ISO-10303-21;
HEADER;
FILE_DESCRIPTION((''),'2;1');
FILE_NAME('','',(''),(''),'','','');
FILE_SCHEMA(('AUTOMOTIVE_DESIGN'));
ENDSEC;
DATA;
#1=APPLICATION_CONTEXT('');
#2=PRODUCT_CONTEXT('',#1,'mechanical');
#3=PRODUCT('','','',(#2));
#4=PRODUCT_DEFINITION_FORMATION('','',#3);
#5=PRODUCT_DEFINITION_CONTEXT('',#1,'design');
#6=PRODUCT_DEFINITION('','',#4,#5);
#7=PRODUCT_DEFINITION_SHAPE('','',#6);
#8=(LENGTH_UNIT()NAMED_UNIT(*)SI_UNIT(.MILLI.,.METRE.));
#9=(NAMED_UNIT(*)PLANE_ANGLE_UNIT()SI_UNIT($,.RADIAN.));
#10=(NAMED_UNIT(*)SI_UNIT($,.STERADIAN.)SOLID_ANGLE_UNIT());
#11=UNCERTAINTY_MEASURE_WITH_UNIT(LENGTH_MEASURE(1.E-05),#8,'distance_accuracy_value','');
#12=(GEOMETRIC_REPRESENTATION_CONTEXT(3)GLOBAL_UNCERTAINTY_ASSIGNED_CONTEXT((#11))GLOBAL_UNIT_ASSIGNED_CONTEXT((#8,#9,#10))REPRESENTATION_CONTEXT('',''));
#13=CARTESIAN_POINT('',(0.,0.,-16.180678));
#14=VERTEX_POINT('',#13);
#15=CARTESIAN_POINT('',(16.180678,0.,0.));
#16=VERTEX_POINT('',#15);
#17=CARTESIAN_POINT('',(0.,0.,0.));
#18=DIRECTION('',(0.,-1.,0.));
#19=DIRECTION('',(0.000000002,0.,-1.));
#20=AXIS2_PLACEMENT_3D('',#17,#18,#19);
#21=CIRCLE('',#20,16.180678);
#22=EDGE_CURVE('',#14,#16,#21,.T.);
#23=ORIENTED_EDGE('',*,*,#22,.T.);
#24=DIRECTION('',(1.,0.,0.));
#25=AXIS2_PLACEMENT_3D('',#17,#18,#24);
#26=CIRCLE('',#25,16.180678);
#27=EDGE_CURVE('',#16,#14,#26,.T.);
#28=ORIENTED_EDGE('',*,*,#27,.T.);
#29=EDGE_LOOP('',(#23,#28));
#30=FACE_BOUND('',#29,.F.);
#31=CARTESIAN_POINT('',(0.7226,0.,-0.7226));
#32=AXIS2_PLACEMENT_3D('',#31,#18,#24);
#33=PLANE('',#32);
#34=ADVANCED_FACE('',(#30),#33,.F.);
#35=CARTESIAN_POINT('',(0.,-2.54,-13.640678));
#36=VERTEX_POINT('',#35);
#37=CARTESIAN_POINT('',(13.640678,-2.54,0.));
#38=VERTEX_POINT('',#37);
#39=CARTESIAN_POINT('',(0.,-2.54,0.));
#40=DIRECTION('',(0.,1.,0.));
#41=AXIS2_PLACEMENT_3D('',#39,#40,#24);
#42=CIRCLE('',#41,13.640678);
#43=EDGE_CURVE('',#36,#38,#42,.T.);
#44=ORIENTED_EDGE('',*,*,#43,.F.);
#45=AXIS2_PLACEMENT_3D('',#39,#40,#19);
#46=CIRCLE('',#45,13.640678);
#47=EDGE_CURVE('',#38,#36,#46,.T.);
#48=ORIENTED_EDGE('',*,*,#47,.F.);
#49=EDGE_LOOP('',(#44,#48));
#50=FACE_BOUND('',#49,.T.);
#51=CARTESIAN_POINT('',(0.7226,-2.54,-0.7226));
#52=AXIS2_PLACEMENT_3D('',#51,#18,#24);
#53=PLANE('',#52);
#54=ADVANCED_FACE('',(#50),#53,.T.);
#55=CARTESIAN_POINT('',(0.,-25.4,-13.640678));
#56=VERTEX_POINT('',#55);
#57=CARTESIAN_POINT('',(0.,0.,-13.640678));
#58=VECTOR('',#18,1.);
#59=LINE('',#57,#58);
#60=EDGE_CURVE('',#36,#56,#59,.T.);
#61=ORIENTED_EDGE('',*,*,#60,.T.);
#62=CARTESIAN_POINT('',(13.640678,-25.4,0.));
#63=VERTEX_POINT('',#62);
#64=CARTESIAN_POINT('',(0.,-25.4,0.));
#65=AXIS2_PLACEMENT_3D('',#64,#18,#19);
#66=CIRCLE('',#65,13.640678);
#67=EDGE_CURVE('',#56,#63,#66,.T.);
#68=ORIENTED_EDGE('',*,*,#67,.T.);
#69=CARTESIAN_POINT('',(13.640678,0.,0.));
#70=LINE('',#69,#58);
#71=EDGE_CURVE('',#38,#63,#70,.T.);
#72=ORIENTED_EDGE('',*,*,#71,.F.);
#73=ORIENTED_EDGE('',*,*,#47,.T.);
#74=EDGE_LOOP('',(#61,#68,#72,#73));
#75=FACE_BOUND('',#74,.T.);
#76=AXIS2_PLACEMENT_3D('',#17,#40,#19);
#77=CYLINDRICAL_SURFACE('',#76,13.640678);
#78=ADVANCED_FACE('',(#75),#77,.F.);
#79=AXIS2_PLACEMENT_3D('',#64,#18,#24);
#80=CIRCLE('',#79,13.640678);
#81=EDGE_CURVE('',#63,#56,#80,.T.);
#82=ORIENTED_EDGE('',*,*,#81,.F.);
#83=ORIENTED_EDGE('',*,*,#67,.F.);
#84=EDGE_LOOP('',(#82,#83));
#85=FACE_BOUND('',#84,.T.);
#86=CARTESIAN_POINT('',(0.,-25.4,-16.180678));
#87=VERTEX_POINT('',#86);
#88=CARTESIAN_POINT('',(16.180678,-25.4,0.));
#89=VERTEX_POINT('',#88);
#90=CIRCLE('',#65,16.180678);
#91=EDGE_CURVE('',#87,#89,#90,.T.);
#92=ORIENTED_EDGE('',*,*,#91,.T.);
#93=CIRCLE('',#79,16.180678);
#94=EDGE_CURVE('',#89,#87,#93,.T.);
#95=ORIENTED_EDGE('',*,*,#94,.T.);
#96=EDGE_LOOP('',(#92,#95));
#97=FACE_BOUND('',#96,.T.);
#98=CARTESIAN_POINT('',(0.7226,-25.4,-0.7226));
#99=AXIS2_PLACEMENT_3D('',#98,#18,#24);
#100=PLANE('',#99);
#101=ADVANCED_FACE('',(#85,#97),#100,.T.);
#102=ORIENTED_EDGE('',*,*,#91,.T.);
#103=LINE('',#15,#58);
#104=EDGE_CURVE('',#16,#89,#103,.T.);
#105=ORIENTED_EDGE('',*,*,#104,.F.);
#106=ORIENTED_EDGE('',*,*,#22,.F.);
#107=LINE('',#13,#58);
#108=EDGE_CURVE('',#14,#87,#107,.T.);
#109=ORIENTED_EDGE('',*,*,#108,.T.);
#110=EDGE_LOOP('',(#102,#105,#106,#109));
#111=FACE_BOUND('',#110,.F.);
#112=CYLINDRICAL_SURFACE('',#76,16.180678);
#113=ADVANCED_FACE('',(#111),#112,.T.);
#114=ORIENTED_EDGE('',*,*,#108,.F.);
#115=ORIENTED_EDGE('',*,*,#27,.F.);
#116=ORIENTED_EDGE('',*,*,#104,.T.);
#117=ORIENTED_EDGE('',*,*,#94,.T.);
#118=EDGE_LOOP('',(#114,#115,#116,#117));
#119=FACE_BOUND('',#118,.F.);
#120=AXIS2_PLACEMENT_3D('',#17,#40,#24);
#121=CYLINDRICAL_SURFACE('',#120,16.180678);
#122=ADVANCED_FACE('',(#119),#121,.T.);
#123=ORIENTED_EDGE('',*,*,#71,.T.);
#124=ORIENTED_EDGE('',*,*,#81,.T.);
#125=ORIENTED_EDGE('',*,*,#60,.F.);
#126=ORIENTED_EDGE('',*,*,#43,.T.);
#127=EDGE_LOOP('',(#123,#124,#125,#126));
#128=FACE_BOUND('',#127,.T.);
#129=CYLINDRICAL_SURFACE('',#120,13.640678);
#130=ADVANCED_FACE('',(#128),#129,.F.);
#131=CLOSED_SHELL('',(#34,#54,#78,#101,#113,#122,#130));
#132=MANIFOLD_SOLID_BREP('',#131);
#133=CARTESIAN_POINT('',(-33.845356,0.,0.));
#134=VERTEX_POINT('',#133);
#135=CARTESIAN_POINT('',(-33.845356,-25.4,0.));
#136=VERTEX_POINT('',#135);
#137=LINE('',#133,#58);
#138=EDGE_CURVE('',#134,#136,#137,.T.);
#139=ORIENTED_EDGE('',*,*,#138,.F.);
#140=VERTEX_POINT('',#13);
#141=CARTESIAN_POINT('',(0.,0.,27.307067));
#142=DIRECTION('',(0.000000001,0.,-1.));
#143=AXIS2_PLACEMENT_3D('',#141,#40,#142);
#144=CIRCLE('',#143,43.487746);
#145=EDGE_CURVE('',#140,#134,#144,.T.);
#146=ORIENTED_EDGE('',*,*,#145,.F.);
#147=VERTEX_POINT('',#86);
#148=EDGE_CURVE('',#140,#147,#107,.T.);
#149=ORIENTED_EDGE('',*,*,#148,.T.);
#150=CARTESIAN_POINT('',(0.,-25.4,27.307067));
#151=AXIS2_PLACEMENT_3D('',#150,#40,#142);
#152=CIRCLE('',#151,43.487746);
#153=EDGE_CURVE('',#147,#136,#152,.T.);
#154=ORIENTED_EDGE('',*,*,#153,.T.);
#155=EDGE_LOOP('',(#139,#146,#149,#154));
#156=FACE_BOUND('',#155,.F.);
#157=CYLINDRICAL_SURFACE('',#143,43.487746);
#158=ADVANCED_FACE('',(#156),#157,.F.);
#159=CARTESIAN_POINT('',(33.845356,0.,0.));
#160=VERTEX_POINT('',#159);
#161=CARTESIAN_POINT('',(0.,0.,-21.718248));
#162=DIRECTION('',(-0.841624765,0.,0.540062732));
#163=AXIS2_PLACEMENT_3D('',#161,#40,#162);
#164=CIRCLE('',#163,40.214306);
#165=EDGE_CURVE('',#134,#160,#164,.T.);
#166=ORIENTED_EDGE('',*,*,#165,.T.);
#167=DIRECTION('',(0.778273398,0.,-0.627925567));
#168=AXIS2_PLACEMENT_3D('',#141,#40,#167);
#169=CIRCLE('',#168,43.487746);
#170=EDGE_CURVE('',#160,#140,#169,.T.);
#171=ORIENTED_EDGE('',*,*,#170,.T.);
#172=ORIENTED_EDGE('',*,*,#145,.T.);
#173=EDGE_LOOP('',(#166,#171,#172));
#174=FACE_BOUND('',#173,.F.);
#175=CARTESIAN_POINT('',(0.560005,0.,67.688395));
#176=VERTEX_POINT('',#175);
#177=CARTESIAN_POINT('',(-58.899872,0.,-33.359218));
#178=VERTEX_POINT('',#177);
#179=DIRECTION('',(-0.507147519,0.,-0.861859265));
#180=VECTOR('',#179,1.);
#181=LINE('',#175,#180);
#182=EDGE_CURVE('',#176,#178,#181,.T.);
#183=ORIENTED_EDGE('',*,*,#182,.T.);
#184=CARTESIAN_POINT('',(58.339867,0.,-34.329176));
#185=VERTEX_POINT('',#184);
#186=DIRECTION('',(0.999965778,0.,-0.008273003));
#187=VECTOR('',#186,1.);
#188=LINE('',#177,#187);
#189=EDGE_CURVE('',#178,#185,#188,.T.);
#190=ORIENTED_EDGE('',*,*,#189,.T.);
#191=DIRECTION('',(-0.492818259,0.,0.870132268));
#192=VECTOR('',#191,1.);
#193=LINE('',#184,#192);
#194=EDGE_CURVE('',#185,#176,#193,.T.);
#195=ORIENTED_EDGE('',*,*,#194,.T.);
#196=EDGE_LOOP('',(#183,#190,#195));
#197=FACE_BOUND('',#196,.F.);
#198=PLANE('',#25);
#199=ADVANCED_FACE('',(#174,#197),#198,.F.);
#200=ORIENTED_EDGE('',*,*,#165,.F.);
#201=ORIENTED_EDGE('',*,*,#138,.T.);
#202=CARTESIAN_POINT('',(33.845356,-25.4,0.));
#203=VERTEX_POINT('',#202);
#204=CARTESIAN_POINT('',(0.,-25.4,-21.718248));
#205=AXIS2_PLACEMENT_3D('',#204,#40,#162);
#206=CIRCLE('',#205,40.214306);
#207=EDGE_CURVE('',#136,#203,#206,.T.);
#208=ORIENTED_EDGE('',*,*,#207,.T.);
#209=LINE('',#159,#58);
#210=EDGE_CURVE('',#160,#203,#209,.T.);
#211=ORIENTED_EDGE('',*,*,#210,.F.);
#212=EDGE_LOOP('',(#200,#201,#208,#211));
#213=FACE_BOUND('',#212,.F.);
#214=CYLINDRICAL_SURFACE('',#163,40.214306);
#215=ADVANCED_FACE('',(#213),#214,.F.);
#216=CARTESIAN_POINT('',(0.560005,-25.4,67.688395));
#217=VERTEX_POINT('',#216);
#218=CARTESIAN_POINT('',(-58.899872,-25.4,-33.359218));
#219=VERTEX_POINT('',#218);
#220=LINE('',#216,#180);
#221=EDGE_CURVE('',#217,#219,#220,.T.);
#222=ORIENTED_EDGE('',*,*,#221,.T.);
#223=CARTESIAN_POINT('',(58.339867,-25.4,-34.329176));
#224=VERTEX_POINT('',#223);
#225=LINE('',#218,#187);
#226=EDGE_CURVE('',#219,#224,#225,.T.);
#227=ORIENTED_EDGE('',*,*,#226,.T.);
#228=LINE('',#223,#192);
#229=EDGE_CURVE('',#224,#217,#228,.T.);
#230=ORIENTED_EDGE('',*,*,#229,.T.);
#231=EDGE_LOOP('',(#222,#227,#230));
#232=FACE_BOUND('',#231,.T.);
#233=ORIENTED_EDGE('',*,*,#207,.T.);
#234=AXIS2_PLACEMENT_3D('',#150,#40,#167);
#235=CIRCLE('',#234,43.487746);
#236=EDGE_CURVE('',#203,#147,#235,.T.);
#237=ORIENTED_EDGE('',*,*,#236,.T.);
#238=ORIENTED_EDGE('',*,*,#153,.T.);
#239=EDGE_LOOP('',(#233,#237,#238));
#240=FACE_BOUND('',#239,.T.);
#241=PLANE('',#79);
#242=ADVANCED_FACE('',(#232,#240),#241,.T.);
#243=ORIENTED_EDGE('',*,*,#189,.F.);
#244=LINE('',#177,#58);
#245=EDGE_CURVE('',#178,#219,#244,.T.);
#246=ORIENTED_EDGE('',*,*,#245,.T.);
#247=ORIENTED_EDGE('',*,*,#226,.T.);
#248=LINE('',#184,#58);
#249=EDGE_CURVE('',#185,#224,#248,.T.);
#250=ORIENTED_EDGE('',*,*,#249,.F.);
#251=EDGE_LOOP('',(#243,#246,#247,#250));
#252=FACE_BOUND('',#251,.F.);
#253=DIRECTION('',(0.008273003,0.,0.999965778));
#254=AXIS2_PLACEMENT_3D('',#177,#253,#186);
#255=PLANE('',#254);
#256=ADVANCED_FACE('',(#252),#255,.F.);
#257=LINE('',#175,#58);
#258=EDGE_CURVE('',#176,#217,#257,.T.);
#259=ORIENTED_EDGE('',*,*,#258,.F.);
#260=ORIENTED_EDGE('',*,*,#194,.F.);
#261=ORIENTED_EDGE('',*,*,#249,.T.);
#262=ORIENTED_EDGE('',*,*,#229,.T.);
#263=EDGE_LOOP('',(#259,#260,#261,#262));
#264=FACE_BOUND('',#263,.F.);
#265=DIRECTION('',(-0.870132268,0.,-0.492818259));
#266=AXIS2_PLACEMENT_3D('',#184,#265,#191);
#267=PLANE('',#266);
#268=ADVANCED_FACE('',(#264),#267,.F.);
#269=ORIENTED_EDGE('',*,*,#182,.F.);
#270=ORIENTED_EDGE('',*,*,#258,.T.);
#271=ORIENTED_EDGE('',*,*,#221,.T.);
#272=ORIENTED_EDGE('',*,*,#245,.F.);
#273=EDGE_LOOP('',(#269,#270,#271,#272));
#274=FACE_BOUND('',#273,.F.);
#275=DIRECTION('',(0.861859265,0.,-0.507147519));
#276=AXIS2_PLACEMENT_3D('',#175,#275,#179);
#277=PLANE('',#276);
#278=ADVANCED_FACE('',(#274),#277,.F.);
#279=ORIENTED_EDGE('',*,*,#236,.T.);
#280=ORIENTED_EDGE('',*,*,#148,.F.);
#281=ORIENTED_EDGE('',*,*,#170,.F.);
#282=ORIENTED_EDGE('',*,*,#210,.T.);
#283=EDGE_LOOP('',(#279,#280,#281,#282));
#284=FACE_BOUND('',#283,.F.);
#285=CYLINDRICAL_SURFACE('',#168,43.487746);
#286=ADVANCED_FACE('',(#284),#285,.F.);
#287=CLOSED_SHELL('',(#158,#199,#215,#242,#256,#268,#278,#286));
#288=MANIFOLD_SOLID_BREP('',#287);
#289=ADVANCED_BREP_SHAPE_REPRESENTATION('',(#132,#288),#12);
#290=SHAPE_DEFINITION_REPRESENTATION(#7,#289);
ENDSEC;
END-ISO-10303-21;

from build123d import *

# Parameters (mm, degrees)
F1_DEPTH = 25.4
F2_T     = -2.54


with BuildPart() as f1:
    # F0 (on Front) → F1 (new body)
    with BuildSketch(Plane.XZ):
        Polygon((58.3398665776, -34.3291762416), (0.5600054274, 67.6883946304), (-58.899872005, -33.3592183888), align=None)
        with BuildLine():
            ThreePointArc((-33.8453555666, 0), (0, 18.4960578721), (33.8453555666, 0))
            ThreePointArc((33.8453555666, 0), (18.7571482754, -11.9275272018), (3.28e-08, -16.1806782942))
            ThreePointArc((3.28e-08, -16.1806782942), (-18.7571482459, -11.927527216), (-33.8453555666, 0))
        make_face(mode=Mode.SUBTRACT)
    extrude(amount=F1_DEPTH)


with BuildPart() as f1b:
    # F0 (on Front) → F1, piece 2 (new body)
    with BuildSketch(Plane.XZ):
        with BuildLine():
            ThreePointArc((16.1806782942, 0), (-11.4414673576, 11.4414673344), (3.28e-08, -16.1806782942))
            ThreePointArc((3.28e-08, -16.1806782942), (11.4414673576, -11.4414673344), (16.1806782942, 0))
        make_face()
    extrude(amount=F1_DEPTH)

    # F2
    f2_openings = [f1b.faces().sort_by_distance(p)[0] for p in [
        (0, -25.4, 0),
    ]]
    offset(amount=F2_T, openings=f2_openings)


solid = Compound([f1.part, f1b.part])
